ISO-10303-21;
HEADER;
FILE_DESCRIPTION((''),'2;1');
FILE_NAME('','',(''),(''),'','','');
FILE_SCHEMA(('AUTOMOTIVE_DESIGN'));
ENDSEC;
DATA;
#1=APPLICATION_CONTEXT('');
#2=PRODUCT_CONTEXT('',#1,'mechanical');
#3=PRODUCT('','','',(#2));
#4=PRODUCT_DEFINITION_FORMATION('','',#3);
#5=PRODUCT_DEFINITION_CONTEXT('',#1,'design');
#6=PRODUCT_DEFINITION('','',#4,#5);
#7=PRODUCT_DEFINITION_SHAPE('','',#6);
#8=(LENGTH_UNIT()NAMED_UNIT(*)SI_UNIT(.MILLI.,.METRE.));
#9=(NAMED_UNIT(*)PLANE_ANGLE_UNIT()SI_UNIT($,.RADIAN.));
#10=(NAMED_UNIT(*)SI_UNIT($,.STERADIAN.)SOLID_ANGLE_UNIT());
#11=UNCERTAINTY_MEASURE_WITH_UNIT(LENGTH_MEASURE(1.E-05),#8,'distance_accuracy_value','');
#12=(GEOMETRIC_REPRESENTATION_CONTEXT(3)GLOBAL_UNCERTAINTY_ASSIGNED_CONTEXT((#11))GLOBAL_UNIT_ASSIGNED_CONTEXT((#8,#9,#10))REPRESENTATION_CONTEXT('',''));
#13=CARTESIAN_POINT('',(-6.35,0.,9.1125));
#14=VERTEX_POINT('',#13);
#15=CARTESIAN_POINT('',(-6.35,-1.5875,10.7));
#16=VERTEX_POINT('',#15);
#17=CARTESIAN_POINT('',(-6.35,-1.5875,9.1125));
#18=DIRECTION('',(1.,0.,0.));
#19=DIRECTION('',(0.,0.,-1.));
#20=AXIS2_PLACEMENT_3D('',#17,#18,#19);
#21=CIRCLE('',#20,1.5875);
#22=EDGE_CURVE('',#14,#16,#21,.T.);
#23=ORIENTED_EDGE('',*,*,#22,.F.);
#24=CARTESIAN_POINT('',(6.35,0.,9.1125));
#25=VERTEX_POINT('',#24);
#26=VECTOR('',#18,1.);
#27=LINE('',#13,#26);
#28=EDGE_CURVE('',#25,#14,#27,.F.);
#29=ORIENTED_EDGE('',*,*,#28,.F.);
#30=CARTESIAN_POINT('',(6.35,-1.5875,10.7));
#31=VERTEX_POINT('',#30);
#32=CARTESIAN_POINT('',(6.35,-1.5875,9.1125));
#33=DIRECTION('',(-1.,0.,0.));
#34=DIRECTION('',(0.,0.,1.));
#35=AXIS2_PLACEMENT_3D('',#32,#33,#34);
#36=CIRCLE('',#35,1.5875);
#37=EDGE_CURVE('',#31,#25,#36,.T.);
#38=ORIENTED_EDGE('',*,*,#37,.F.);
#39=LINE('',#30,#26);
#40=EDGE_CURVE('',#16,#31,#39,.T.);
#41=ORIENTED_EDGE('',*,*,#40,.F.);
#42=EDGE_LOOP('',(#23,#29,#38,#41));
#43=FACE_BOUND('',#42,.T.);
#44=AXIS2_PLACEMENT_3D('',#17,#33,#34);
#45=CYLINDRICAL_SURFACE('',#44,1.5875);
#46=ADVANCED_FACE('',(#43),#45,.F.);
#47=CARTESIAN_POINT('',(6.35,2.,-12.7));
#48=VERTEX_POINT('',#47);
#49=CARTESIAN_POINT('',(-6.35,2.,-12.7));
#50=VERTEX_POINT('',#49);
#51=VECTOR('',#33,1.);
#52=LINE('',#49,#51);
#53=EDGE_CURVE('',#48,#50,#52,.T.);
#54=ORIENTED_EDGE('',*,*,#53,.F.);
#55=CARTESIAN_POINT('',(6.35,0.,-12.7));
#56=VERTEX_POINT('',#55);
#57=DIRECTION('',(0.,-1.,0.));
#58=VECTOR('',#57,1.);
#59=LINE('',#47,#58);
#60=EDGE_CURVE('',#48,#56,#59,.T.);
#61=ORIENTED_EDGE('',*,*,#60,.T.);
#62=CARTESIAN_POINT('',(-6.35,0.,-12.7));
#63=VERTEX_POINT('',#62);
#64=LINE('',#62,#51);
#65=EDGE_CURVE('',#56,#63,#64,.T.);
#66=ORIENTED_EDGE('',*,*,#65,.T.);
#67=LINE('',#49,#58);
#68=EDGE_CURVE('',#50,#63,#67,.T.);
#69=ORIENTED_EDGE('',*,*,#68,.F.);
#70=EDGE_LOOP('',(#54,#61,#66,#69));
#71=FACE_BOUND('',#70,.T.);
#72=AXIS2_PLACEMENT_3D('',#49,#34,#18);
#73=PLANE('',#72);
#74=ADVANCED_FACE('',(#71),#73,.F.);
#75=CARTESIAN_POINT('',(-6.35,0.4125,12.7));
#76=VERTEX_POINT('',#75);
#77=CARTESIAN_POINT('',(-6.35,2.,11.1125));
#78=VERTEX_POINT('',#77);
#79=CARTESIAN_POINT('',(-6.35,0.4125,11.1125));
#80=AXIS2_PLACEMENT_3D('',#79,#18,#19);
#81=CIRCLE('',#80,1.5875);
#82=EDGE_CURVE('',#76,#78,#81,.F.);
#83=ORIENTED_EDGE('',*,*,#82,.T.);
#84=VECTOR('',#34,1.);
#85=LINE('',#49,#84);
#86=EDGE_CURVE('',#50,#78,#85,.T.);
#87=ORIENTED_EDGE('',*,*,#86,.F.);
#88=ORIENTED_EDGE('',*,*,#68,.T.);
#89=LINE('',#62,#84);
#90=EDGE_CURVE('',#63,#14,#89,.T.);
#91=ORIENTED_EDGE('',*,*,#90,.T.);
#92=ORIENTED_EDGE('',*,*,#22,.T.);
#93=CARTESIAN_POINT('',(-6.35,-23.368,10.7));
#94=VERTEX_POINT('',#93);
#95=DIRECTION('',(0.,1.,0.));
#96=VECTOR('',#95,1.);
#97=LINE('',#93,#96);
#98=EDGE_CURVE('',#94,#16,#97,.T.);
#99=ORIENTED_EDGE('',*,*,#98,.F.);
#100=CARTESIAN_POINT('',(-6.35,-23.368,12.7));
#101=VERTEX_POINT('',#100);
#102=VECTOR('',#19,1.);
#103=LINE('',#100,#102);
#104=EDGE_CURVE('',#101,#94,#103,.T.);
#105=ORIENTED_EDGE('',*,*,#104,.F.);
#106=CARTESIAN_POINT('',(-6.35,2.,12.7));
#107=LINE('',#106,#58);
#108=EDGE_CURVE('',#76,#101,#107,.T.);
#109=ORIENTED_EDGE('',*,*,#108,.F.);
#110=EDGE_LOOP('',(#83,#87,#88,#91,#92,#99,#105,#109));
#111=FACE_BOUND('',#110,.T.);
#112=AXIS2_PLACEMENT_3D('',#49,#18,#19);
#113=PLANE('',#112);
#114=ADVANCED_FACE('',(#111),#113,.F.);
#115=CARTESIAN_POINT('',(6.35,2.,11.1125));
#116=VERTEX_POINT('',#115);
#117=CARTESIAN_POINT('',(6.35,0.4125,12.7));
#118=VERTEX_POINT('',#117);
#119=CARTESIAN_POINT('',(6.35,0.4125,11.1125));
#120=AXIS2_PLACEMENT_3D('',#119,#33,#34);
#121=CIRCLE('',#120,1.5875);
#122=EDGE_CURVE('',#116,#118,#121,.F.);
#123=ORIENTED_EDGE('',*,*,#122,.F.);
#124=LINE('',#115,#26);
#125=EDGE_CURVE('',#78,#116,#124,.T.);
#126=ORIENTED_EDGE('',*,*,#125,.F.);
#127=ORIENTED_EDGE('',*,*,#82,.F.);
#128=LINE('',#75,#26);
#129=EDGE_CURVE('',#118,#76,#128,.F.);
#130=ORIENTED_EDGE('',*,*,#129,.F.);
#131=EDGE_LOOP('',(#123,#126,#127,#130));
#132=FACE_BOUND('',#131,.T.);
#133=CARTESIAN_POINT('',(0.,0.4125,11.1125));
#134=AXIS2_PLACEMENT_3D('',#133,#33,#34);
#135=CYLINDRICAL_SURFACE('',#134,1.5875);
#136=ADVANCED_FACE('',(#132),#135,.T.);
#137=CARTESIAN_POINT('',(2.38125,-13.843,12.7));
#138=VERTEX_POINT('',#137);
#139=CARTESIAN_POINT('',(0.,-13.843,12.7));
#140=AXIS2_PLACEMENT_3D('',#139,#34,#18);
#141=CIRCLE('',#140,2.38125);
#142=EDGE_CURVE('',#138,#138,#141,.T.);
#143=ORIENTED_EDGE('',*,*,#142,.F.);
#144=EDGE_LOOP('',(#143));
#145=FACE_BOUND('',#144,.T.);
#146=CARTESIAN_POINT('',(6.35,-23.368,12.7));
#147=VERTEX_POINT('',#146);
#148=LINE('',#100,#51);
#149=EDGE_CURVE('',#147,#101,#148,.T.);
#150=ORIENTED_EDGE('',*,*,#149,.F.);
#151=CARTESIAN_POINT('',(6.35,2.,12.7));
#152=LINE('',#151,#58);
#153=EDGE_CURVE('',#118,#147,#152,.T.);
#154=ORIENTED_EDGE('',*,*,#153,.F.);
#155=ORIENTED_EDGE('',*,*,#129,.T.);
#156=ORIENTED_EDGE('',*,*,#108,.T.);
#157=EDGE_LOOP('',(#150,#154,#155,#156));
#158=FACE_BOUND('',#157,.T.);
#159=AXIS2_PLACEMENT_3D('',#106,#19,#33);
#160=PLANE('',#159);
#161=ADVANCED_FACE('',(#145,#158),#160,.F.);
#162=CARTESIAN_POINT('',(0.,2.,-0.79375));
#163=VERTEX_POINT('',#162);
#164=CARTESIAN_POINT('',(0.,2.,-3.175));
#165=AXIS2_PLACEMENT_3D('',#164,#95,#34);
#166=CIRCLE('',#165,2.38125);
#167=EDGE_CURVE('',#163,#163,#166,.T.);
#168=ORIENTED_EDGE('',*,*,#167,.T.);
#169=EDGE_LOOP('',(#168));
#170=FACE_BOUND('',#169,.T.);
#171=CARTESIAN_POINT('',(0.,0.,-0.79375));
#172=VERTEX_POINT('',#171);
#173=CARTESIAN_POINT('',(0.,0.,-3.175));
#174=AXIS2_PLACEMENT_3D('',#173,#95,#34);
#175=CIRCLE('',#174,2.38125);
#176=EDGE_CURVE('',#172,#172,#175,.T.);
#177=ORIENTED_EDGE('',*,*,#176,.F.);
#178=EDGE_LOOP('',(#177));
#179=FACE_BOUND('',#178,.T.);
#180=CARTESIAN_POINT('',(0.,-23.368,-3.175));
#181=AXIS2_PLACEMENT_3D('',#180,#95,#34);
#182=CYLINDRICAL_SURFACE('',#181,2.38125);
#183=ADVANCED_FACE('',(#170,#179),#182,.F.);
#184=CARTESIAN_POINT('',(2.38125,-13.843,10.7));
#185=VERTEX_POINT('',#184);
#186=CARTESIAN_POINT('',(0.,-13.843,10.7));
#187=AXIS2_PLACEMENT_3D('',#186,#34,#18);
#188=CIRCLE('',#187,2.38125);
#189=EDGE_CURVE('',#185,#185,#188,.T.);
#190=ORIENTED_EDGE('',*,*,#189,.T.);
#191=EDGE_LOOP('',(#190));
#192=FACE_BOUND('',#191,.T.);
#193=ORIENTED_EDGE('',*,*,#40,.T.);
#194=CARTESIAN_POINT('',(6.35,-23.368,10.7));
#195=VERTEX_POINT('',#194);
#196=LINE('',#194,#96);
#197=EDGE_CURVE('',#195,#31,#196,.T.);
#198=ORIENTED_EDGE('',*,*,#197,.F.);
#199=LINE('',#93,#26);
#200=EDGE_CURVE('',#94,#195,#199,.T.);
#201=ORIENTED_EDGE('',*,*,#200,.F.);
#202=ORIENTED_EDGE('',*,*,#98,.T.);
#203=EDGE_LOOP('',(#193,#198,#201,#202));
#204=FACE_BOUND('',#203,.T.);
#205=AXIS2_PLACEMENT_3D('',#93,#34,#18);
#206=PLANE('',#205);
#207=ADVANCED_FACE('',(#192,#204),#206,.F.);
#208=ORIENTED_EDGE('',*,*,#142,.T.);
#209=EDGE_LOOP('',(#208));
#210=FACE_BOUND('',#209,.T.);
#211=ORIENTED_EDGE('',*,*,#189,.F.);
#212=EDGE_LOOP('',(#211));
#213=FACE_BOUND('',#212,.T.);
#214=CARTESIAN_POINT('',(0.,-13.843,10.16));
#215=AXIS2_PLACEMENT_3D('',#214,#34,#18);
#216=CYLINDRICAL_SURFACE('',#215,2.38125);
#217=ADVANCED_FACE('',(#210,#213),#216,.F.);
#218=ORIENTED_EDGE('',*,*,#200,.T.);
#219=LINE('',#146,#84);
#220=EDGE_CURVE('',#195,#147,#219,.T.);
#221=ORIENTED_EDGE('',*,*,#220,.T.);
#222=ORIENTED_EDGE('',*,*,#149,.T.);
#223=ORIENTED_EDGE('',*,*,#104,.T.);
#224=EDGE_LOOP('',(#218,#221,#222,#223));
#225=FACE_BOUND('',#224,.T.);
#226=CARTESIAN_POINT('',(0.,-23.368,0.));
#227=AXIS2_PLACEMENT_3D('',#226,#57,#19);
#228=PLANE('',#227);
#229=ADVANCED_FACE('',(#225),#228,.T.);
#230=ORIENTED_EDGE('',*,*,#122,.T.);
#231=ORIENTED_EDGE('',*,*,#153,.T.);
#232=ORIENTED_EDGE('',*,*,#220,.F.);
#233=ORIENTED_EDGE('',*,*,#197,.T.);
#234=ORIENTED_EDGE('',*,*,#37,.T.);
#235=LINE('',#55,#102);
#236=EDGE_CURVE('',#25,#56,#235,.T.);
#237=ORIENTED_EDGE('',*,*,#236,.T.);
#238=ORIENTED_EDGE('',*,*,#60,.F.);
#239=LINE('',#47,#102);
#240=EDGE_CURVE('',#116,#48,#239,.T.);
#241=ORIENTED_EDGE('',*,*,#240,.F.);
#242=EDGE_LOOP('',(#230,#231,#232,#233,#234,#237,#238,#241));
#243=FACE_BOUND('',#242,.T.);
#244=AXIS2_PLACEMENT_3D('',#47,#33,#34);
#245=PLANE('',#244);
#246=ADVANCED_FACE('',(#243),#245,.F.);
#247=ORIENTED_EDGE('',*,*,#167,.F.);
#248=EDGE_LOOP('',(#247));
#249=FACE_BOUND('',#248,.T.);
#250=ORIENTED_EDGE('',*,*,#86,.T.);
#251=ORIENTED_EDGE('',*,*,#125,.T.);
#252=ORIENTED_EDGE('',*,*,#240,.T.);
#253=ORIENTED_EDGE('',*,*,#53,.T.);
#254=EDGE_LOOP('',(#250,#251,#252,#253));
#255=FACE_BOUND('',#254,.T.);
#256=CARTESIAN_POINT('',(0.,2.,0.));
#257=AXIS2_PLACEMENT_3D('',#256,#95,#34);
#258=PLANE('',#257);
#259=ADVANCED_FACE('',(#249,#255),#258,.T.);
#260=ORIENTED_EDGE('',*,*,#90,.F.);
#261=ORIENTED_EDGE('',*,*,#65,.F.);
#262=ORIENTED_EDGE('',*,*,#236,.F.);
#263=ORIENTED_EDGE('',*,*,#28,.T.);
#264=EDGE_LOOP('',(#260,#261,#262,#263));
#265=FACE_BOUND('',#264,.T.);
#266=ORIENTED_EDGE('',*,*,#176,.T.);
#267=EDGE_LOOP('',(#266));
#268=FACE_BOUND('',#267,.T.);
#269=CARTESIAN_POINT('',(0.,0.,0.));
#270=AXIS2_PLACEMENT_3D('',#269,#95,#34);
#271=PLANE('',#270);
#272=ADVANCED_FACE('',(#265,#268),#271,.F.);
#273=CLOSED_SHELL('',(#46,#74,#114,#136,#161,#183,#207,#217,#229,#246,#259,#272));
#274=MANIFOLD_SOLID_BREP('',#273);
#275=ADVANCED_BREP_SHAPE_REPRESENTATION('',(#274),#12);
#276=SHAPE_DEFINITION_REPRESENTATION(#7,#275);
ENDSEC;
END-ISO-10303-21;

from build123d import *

# Parameters (mm, degrees)
CROQUIS1_W              = 12.7
CROQUIS1_H              = 25.4
SALIENTE_EXTRUIR1_DEPTH = 2
CROQUIS2_W              = 12.7
CROQUIS2_H              = 2
SALIENTE_EXTRUIR2_DEPTH = 23.368
REDONDEO1_R             = 1.5875
CROQUIS3_R              = 2.38125
CORTAR_EXTRUIR1_DEPTH   = 26.368
CROQUIS4_R              = 2.38125
CORTAR_EXTRUIR2_DEPTH   = 2.54


with BuildPart() as part:
    # Croquis1 → Saliente-Extruir1 (new body)
    with BuildSketch(Plane(origin=(0, 0, 0), x_dir=(1, 0, 0), z_dir=(0, 1, 0))):
        Rectangle(CROQUIS1_W, CROQUIS1_H)
    extrude(amount=SALIENTE_EXTRUIR1_DEPTH)

    # Croquis2 → Saliente-Extruir2 (add)
    with BuildSketch(Plane.XZ):
        with Locations((0, 11.7)):
            Rectangle(CROQUIS2_W, CROQUIS2_H)
    extrude(amount=SALIENTE_EXTRUIR2_DEPTH)

    # Redondeo1
    redondeo1_edges = [part.edges().sort_by_distance(p)[0] for p in [
        (0, 2, 12.7),
        (0, 0, 10.7),
    ]]
    fillet(redondeo1_edges, radius=REDONDEO1_R)

    # Croquis3 → Cortar-Extruir1 (cut, through all)
    with BuildSketch(Plane(origin=(0, 2, 0), x_dir=(1, 0, 0), z_dir=(0, 1, 0))):
        with Locations((0, 3.175)):
            Circle(CROQUIS3_R)
    extrude(amount=-CORTAR_EXTRUIR1_DEPTH, mode=Mode.SUBTRACT)

    # Croquis4 → Cortar-Extruir2 (cut)
    with BuildSketch(Plane.XY.offset(12.7)):
        with Locations((0, -13.843)):
            Circle(CROQUIS4_R)
    extrude(amount=-CORTAR_EXTRUIR2_DEPTH, mode=Mode.SUBTRACT)


solid = part.part
